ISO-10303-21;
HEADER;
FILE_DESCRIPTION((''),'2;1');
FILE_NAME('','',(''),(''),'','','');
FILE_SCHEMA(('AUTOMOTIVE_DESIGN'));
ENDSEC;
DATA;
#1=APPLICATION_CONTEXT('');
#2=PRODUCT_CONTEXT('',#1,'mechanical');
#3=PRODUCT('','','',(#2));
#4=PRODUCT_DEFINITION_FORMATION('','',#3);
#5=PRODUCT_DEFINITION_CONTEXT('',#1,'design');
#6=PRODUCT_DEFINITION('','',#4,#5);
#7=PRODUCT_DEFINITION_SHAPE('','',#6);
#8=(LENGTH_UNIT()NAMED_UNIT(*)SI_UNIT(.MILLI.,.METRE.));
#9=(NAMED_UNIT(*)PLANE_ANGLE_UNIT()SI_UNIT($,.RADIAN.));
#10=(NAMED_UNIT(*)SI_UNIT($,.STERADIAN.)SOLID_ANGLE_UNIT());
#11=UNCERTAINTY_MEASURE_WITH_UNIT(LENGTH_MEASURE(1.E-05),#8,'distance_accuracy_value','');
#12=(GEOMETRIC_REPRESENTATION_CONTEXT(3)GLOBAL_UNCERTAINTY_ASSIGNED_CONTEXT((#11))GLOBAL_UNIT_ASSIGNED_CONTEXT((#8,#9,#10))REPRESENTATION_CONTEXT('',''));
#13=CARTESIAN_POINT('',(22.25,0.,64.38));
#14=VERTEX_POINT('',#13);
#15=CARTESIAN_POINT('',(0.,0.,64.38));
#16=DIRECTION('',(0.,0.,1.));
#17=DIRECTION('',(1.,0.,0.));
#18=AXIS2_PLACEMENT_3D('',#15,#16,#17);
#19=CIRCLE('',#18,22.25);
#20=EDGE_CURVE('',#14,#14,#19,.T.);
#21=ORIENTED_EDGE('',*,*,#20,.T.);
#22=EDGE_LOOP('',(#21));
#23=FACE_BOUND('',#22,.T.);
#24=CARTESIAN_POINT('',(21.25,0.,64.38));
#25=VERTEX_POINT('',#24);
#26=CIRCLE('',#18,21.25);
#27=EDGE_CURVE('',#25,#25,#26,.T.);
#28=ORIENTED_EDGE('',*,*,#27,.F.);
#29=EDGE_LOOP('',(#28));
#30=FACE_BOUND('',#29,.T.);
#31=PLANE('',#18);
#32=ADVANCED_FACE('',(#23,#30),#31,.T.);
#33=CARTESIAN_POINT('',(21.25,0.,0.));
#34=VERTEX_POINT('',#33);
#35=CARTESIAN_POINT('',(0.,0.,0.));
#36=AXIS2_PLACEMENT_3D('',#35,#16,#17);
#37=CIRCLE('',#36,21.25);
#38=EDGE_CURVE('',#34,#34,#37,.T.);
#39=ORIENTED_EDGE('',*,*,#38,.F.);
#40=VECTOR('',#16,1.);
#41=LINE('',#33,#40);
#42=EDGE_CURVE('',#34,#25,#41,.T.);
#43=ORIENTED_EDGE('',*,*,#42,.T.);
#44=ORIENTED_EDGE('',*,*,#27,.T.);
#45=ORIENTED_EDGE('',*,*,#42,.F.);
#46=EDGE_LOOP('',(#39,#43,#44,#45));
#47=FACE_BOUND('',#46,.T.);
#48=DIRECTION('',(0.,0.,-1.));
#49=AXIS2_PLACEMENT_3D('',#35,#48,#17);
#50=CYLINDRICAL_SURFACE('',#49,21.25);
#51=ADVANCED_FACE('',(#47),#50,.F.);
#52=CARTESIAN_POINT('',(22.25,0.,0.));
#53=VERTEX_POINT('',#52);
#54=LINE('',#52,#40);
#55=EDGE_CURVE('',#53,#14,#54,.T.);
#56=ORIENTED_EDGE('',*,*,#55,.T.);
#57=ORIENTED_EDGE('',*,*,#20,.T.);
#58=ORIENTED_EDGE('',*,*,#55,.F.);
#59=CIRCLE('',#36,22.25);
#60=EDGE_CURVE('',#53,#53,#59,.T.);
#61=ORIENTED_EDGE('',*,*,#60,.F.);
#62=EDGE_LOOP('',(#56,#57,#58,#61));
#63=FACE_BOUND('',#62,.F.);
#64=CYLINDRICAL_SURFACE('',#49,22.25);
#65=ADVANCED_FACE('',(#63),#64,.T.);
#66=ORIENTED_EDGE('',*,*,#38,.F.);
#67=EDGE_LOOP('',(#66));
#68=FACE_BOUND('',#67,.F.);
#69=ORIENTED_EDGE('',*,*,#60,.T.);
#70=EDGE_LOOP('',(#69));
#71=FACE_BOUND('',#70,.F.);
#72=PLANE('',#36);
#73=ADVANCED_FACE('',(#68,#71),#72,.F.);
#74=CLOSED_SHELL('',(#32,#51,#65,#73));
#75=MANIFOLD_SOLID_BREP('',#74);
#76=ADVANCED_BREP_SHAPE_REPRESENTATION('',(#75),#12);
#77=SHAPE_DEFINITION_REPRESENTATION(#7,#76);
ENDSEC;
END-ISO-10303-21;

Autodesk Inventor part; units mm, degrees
ref_plane "YZ Plane" through (0, 0, 0) normal (1, 0, 0) x (0, 1, 0)
ref_plane "XZ Plane" through (0, 0, 0) normal (0, 1, 0) x (-1, 0, 0)
ref_plane "XY Plane" through (0, 0, 0) normal (0, 0, 1) x (1, 0, 0)
sketch "Sketch1" plane through (0, 0, 0) normal (0, 0, 1) x (1, 0, 0)
  circle A0 centre (0, 0) radius 22.25
  circle A1 centre (0, 0) radius 21.25
  dimension "d0" = 42.5
  dimension "d1" = 44.5
extrude "Extrusion1" add sketch "Sketch1" along normal blind 64.38
properties part number "Waveguide Terminator Nipple"
